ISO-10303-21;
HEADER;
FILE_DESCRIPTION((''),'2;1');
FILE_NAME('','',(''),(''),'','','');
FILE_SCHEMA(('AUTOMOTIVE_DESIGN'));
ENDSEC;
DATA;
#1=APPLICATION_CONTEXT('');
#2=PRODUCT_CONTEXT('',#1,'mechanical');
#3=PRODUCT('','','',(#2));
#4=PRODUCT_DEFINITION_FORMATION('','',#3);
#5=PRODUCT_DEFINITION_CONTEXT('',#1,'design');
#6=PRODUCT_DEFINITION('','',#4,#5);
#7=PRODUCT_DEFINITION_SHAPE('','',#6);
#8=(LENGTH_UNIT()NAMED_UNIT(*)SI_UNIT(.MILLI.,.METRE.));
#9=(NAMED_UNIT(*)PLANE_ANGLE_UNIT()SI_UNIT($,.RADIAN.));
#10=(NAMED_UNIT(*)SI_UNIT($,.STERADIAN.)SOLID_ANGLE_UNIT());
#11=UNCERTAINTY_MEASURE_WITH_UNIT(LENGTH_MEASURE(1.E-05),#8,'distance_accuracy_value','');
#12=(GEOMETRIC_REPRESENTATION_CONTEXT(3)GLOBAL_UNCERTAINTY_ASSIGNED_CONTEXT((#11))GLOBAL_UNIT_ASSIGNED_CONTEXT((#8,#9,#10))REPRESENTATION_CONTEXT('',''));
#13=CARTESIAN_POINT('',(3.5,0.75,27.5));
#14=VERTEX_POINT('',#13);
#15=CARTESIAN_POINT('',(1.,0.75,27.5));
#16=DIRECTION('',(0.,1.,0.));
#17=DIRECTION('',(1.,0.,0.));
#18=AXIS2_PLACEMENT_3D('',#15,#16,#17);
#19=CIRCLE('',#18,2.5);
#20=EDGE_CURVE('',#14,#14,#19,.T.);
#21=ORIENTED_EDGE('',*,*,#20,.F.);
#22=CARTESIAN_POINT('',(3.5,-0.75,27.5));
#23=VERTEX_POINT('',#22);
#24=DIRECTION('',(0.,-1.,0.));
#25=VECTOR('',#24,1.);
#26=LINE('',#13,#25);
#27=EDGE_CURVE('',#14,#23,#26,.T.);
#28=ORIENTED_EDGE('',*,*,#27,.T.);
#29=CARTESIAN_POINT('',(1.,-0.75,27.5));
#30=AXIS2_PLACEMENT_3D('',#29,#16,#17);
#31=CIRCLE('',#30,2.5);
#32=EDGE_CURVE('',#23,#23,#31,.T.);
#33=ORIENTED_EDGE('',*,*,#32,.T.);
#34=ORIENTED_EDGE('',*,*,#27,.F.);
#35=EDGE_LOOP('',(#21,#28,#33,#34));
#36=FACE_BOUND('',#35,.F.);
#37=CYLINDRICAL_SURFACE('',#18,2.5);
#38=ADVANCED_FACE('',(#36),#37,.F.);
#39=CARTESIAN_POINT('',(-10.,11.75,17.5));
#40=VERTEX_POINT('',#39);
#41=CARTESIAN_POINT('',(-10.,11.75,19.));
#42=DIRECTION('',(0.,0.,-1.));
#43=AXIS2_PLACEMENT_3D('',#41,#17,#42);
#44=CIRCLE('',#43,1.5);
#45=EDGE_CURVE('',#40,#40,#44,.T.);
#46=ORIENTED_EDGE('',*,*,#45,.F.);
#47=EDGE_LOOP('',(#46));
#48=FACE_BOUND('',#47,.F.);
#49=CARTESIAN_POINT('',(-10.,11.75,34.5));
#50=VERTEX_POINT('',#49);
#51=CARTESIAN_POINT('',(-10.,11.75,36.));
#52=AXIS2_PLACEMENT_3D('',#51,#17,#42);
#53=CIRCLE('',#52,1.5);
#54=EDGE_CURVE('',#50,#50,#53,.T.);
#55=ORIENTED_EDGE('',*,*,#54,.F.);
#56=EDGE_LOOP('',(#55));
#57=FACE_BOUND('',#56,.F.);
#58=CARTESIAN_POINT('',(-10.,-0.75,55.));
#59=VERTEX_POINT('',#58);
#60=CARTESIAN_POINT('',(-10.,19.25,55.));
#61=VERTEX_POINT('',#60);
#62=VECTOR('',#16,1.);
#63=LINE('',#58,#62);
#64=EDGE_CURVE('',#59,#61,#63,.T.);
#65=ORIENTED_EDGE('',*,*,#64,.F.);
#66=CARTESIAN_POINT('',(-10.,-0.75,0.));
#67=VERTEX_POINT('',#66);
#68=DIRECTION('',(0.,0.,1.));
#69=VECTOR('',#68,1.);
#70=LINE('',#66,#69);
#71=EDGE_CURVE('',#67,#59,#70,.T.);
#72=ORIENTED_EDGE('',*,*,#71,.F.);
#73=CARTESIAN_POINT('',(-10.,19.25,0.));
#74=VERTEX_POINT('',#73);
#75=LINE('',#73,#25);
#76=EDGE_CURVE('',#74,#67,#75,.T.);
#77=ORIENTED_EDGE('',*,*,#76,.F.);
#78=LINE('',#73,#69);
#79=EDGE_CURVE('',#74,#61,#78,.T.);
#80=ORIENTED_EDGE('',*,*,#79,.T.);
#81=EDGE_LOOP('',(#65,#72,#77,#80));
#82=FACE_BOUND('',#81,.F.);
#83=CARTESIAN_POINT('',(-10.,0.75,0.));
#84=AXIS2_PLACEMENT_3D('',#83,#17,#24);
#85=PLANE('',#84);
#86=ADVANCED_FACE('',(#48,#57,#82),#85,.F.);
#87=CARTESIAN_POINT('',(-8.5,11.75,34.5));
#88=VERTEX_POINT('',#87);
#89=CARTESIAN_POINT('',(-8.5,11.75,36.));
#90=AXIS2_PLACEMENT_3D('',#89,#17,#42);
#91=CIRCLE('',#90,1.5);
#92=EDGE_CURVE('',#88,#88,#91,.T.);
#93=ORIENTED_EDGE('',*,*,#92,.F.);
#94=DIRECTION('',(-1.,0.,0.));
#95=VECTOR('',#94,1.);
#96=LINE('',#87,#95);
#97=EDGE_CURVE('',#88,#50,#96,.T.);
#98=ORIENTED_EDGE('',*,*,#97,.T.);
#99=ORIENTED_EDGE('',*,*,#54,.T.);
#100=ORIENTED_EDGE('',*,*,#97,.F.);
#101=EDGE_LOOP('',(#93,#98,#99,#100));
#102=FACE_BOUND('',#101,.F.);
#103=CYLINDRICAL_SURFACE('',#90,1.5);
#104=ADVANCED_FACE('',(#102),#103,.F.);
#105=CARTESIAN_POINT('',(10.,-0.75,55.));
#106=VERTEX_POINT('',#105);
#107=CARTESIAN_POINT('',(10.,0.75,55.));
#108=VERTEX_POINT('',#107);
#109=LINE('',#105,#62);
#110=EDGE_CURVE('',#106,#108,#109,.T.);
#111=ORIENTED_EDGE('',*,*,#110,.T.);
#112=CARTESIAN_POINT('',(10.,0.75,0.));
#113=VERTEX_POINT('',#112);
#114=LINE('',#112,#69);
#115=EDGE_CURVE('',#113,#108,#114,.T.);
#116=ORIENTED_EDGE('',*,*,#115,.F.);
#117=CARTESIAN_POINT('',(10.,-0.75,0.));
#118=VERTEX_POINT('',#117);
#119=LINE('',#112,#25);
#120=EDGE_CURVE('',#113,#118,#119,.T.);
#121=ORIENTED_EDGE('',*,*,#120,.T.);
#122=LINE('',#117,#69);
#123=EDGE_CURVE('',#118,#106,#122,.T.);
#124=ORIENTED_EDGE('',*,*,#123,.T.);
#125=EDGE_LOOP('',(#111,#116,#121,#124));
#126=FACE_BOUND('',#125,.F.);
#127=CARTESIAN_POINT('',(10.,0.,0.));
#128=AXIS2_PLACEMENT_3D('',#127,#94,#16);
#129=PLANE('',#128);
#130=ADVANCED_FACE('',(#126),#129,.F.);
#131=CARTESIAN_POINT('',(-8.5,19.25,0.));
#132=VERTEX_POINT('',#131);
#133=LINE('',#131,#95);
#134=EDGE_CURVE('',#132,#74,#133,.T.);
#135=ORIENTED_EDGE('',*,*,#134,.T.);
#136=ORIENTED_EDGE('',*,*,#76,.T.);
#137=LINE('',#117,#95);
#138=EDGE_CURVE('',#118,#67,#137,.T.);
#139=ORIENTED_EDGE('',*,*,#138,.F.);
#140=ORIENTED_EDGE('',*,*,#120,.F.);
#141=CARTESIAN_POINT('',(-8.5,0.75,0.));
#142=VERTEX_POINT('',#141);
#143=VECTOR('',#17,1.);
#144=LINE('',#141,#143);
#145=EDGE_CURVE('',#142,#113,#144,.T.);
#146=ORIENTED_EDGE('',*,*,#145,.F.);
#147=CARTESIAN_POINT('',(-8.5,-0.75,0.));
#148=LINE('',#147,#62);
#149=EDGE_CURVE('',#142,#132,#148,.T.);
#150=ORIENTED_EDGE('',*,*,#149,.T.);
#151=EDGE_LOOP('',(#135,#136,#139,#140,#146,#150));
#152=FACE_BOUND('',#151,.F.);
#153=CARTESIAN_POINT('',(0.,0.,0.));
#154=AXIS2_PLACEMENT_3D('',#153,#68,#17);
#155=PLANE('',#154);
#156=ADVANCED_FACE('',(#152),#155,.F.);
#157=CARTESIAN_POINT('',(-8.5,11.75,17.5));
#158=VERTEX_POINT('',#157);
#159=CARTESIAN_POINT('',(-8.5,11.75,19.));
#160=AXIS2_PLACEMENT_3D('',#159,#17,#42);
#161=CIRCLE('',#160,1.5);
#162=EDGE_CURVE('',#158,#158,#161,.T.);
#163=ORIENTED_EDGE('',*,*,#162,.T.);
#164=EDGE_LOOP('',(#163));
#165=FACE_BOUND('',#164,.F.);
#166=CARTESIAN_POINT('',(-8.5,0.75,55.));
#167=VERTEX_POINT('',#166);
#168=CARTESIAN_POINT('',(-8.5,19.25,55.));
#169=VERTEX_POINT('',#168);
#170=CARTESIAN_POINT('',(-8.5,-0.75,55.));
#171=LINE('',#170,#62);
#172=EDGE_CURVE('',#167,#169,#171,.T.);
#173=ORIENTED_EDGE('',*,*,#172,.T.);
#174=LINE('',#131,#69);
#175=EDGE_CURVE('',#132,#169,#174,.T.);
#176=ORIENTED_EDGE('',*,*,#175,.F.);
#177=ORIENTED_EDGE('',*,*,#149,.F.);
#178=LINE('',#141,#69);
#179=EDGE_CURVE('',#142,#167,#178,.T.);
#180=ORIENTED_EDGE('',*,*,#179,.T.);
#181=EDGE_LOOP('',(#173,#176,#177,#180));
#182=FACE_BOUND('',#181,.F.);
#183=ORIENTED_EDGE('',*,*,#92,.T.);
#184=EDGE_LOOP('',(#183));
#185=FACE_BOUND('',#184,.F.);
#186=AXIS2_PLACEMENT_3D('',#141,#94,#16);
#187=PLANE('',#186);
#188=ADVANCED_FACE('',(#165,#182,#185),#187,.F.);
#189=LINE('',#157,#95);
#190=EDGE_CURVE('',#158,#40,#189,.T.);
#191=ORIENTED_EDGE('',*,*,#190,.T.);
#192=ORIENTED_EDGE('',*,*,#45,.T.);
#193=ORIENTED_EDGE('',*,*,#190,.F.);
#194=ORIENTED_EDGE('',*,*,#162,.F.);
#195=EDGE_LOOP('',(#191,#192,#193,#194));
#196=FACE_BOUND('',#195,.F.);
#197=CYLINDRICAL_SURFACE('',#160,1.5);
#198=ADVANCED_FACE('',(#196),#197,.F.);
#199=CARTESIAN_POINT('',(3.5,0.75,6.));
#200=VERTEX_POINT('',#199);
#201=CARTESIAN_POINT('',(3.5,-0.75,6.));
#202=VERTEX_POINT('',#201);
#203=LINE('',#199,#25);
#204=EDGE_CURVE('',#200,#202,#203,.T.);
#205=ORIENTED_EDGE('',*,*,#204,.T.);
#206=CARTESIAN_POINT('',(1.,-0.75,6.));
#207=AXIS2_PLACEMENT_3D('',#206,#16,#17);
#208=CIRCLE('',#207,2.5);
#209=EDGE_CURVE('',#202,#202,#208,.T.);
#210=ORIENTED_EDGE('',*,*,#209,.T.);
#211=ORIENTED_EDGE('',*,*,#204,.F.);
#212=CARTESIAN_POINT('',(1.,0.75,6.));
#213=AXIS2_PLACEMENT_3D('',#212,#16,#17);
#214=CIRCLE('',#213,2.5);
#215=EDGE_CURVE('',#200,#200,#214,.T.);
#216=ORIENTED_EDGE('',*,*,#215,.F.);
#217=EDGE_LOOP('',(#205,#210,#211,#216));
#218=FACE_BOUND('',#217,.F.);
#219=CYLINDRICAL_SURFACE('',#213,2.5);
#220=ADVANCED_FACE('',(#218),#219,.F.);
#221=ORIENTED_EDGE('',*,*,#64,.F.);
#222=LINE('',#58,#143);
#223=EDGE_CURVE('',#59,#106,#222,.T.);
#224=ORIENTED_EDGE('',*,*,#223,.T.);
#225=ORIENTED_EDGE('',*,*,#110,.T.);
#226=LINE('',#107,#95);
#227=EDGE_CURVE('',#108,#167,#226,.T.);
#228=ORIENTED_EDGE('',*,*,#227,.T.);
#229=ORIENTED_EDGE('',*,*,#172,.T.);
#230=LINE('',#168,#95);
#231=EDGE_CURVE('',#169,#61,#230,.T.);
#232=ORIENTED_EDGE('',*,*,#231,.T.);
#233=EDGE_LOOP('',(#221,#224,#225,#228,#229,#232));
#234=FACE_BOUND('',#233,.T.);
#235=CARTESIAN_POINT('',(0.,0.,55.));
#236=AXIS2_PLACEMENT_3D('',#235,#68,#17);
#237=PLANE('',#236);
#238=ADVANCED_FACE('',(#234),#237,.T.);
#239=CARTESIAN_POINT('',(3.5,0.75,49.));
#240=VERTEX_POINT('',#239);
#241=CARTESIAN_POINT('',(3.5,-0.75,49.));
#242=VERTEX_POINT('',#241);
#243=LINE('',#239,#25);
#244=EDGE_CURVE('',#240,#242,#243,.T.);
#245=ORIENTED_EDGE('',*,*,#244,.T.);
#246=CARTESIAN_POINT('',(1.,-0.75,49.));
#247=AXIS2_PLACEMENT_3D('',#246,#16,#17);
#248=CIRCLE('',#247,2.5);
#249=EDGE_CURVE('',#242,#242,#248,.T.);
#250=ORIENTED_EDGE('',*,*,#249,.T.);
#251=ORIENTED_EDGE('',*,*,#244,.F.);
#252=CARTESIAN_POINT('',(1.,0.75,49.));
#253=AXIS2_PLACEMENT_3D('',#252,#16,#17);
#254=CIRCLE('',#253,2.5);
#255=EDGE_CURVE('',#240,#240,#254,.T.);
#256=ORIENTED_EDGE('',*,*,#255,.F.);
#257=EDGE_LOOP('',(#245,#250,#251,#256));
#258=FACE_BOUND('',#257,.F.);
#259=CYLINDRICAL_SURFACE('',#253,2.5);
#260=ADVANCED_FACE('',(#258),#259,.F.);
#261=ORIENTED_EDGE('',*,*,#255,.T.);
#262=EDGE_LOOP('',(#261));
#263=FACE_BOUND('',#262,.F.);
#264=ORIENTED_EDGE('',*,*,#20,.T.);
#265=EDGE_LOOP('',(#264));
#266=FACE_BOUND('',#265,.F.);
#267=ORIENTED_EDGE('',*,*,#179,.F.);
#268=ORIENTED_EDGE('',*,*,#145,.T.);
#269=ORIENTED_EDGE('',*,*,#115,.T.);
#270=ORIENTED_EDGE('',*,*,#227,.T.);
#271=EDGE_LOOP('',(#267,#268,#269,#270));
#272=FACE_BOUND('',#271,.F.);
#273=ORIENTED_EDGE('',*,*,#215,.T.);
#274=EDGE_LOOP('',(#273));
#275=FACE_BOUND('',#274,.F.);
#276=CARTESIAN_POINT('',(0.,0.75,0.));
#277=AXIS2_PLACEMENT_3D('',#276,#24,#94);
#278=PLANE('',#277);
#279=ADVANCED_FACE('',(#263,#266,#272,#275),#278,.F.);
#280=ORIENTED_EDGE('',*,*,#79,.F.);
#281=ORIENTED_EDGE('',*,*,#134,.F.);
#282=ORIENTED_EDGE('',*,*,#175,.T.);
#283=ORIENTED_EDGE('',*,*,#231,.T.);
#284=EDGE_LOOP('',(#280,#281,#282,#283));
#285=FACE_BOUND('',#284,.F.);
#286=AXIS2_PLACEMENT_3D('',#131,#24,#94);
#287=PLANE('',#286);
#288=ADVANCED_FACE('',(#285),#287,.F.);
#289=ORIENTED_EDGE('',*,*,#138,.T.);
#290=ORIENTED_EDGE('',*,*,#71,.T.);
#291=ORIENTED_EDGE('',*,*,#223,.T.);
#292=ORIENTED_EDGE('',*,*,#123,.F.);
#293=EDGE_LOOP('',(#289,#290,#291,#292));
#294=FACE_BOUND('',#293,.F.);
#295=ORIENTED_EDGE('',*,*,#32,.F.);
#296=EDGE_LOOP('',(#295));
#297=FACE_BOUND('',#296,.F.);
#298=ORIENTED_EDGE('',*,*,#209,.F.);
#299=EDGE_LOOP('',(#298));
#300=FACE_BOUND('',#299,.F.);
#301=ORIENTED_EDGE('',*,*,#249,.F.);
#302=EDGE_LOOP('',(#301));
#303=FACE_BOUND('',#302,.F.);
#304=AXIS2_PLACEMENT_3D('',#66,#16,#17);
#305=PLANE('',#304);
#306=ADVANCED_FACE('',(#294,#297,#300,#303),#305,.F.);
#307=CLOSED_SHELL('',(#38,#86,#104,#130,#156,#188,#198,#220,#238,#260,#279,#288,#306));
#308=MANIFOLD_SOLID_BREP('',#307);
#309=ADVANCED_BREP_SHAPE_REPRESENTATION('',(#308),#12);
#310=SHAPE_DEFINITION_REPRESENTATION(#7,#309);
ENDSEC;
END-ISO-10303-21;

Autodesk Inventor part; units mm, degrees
ref_plane "YZ Plane" through (0, 0, 0) normal (1, 0, 0) x (0, 1, 0)
ref_plane "XZ Plane" through (0, 0, 0) normal (0, 1, 0) x (-1, 0, 0)
ref_plane "XY Plane" through (0, 0, 0) normal (0, 0, 1) x (1, 0, 0)
sketch "Skizze1" plane through (0, 0, 0) normal (0, 0, 1) x (1, 0, 0)
  line L0 (-14, 0) -> (14, 0) projected
  line L1 (0, -4.75) -> (0, 23.25) projected
  line L2 (-10, -0.75) -> (10, -0.75)
  line L3 (10, -0.75) -> (10, 0.75)
  line L4 (10, 0.75) -> (-10, 0.75)
  line L5 (-10, 0.75) -> (-10, -0.75)
  line L6 (-10, -0.75) -> (-8.5, -0.75)
  line L7 (-8.5, -0.75) -> (-8.5, 19.25)
  line L8 (-8.5, 19.25) -> (-10, 19.25)
  line L9 (-10, 19.25) -> (-10, -0.75)
  point P0 (0, 0)
  dimension "d0" = 20
  dimension "d1" = 1.5
  dimension "d2" = 1.5
  dimension "d3" = 20
extrude "Extrusion1" add sketch "Skizze1" along normal blind 55
sketch "Skizze2" plane through (-8.5, 0.75, 0) normal (0, 1, 0) x (1, 0, 0)
  line L0 (0, -55) -> (0, 0) projected
  line L1 (18.5, -55) -> (0, -55) projected
  line L2 (18.5, 0) -> (18.5, -55) projected
  line L3 (18.5, 0) -> (0, 0) projected
  circle A0 centre (9.5, -49) radius 2.5
  circle A1 centre (9.5, -6) radius 2.5
  circle A2 centre (9.5, -27.5) radius 2.5
  line L4 (18.5, -55) -> (0, -55) projected
  line L5 (18.5, 0) -> (0, 0) projected
  point P0 (8.5, 0)
  dimension "d6" = 5
  dimension "d7" = 5
  dimension "d8" = 6
  dimension "d9" = 6
  dimension "d10" = 9
  dimension "d13" = 5
  dimension "d15" = 55
  dimension "d16" = 27.5
extrude "Extrusion2" cut sketch "Skizze2" against normal blind 1.5 contours A0 | A1 | A2
sketch "Skizze3" plane through (-8.5, 0.75, 0) normal (1, 0, 0) x (0, 0, -1)
  circle A0 centre (-36, 11) radius 1.5
  line L0 (-55, 0) -> (0, 0) projected
  line L1 (0, 0) -> (0, 18.5) projected
  line L2 (0, 18.5) -> (-55, 18.5) projected
  line L3 (-55, 0) -> (-55, 18.5) projected
  circle A1 centre (-19, 11) radius 1.5
  point P0 (0, -0.75)
  dimension "d17" = 3
  dimension "d18" = 7.5
  dimension "d19" = 19
  dimension "d22" = 3
  dimension "d23" = 19
  dimension "d24" = 7.5
extrude "Extrusion3" cut sketch "Skizze3" against normal blind 1.5 contours A0 | A1
equation "\"d9\" = d8"
equation "\"d16\" = 0.5 * d15"
equation "\"d22\" = d17"
equation "\"d23\" = d19"
equation "\"d24\" = d18"
properties part number "Z-Stage_Wheel_plate_20x20" material "Aluminium 6061"
